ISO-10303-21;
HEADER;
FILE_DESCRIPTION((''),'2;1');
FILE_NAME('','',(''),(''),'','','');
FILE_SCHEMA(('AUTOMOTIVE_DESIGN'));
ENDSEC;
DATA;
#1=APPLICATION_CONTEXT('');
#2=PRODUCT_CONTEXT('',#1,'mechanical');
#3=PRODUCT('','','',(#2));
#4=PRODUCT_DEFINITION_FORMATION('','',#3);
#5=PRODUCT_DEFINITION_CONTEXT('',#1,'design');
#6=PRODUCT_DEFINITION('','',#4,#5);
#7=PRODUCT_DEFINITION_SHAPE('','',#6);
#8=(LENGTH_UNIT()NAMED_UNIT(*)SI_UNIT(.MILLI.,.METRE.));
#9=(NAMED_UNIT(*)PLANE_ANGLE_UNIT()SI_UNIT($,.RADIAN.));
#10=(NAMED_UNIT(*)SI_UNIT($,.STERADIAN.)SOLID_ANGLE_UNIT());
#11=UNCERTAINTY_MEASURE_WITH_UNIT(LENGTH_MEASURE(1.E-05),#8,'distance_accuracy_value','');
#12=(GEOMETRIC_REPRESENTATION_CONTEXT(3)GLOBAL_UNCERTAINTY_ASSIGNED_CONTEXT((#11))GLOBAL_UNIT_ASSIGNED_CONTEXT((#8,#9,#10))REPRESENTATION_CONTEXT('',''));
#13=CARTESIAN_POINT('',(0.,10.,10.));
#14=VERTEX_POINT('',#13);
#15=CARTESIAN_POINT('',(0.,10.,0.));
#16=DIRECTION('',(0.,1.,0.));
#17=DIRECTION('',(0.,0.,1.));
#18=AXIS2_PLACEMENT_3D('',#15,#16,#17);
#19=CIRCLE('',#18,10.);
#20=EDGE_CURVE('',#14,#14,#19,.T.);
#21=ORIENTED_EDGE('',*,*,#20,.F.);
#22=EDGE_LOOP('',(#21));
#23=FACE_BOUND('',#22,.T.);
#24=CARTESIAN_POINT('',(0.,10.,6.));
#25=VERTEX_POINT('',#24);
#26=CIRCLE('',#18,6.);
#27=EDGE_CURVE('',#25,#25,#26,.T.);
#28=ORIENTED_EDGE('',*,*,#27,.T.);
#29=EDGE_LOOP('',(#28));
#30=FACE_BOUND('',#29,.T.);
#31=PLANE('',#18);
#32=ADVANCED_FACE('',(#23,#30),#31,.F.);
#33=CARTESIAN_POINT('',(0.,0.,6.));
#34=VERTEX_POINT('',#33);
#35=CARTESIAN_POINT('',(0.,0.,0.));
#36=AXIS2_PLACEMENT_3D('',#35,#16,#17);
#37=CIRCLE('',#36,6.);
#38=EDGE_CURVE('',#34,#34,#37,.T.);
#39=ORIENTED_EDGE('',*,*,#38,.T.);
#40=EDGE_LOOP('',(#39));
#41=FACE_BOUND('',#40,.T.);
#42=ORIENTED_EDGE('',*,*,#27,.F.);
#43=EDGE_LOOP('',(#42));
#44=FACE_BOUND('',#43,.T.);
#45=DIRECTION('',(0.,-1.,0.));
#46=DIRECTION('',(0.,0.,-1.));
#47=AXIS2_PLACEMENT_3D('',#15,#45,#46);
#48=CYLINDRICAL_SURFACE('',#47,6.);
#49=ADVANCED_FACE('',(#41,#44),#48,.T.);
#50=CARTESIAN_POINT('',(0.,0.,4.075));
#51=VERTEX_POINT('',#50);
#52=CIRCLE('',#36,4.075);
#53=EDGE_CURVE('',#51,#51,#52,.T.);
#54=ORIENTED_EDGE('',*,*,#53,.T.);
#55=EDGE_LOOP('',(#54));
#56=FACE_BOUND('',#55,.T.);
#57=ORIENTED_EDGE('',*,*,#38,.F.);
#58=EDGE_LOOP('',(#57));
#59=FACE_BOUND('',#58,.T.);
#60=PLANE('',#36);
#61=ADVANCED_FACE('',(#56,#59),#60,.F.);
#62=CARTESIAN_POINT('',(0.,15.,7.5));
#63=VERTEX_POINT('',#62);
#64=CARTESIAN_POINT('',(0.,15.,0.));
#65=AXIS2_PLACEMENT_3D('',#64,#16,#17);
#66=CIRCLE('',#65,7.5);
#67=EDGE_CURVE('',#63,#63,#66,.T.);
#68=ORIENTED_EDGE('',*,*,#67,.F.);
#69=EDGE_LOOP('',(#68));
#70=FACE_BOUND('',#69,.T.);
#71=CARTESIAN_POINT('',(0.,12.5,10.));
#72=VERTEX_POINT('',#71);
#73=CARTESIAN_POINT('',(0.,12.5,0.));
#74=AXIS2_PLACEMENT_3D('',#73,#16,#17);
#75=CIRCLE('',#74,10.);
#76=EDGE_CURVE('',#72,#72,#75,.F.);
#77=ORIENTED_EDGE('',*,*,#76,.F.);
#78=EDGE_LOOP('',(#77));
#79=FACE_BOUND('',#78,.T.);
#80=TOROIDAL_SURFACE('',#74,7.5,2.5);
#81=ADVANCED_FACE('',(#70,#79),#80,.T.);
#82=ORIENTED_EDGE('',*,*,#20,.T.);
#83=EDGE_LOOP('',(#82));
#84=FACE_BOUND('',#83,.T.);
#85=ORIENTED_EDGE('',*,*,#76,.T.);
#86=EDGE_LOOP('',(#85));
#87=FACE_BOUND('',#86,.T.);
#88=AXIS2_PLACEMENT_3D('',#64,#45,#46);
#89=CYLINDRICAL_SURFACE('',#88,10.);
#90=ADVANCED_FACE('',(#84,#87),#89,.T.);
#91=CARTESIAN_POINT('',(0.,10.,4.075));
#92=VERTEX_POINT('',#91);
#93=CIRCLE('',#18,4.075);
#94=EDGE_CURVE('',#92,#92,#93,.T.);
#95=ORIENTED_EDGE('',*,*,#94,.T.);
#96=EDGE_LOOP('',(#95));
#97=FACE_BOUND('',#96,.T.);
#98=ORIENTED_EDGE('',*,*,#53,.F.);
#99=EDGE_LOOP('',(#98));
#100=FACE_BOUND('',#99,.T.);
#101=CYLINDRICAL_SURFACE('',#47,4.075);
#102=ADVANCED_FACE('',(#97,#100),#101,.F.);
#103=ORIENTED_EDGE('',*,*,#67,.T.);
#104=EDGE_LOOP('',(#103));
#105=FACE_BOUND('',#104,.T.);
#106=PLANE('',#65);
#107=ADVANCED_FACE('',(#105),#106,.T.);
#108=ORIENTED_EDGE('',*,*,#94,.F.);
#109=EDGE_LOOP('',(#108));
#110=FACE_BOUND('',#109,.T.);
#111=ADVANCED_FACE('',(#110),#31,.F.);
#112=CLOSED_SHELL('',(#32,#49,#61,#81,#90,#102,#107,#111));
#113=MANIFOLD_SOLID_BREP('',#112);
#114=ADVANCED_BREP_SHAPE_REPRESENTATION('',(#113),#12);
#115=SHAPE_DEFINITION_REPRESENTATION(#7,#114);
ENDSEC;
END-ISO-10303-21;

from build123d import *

# Parameters (mm, degrees)
SKETCH1_R           = 6
SKETCH1_R_2         = 4.075
BOSS_EXTRUDE1_DEPTH = 10
SKETCH2_R           = 10
BOSS_EXTRUDE2_DEPTH = 5
FILLET1_R           = 2.5


with BuildPart() as part:
    # Sketch1 → Boss-Extrude1 (new body)
    with BuildSketch(Plane(origin=(0, 0, 0), x_dir=(1, 0, 0), z_dir=(0, 1, 0))):
        with Locations(Location((0, 0, 0), (0, 0, 270))):
            Circle(SKETCH1_R)
        with Locations(Location((0, 0, 0), (0, 0, 270))):
            Circle(SKETCH1_R_2, mode=Mode.SUBTRACT)
    extrude(amount=BOSS_EXTRUDE1_DEPTH)

    # Sketch2 → Boss-Extrude2 (add)
    with BuildSketch(Plane(origin=(0, 10, 0), x_dir=(1, 0, 0), z_dir=(0, 1, 0))):
        with Locations(Location((0, 0, 0), (0, 0, 270))):
            Circle(SKETCH2_R)
    extrude(amount=BOSS_EXTRUDE2_DEPTH)

    # Fillet1
    fillet1_edges = [part.edges().sort_by_distance(p)[0] for p in [
        (0, 15, -10),
    ]]
    fillet(fillet1_edges, radius=FILLET1_R)


solid = part.part
